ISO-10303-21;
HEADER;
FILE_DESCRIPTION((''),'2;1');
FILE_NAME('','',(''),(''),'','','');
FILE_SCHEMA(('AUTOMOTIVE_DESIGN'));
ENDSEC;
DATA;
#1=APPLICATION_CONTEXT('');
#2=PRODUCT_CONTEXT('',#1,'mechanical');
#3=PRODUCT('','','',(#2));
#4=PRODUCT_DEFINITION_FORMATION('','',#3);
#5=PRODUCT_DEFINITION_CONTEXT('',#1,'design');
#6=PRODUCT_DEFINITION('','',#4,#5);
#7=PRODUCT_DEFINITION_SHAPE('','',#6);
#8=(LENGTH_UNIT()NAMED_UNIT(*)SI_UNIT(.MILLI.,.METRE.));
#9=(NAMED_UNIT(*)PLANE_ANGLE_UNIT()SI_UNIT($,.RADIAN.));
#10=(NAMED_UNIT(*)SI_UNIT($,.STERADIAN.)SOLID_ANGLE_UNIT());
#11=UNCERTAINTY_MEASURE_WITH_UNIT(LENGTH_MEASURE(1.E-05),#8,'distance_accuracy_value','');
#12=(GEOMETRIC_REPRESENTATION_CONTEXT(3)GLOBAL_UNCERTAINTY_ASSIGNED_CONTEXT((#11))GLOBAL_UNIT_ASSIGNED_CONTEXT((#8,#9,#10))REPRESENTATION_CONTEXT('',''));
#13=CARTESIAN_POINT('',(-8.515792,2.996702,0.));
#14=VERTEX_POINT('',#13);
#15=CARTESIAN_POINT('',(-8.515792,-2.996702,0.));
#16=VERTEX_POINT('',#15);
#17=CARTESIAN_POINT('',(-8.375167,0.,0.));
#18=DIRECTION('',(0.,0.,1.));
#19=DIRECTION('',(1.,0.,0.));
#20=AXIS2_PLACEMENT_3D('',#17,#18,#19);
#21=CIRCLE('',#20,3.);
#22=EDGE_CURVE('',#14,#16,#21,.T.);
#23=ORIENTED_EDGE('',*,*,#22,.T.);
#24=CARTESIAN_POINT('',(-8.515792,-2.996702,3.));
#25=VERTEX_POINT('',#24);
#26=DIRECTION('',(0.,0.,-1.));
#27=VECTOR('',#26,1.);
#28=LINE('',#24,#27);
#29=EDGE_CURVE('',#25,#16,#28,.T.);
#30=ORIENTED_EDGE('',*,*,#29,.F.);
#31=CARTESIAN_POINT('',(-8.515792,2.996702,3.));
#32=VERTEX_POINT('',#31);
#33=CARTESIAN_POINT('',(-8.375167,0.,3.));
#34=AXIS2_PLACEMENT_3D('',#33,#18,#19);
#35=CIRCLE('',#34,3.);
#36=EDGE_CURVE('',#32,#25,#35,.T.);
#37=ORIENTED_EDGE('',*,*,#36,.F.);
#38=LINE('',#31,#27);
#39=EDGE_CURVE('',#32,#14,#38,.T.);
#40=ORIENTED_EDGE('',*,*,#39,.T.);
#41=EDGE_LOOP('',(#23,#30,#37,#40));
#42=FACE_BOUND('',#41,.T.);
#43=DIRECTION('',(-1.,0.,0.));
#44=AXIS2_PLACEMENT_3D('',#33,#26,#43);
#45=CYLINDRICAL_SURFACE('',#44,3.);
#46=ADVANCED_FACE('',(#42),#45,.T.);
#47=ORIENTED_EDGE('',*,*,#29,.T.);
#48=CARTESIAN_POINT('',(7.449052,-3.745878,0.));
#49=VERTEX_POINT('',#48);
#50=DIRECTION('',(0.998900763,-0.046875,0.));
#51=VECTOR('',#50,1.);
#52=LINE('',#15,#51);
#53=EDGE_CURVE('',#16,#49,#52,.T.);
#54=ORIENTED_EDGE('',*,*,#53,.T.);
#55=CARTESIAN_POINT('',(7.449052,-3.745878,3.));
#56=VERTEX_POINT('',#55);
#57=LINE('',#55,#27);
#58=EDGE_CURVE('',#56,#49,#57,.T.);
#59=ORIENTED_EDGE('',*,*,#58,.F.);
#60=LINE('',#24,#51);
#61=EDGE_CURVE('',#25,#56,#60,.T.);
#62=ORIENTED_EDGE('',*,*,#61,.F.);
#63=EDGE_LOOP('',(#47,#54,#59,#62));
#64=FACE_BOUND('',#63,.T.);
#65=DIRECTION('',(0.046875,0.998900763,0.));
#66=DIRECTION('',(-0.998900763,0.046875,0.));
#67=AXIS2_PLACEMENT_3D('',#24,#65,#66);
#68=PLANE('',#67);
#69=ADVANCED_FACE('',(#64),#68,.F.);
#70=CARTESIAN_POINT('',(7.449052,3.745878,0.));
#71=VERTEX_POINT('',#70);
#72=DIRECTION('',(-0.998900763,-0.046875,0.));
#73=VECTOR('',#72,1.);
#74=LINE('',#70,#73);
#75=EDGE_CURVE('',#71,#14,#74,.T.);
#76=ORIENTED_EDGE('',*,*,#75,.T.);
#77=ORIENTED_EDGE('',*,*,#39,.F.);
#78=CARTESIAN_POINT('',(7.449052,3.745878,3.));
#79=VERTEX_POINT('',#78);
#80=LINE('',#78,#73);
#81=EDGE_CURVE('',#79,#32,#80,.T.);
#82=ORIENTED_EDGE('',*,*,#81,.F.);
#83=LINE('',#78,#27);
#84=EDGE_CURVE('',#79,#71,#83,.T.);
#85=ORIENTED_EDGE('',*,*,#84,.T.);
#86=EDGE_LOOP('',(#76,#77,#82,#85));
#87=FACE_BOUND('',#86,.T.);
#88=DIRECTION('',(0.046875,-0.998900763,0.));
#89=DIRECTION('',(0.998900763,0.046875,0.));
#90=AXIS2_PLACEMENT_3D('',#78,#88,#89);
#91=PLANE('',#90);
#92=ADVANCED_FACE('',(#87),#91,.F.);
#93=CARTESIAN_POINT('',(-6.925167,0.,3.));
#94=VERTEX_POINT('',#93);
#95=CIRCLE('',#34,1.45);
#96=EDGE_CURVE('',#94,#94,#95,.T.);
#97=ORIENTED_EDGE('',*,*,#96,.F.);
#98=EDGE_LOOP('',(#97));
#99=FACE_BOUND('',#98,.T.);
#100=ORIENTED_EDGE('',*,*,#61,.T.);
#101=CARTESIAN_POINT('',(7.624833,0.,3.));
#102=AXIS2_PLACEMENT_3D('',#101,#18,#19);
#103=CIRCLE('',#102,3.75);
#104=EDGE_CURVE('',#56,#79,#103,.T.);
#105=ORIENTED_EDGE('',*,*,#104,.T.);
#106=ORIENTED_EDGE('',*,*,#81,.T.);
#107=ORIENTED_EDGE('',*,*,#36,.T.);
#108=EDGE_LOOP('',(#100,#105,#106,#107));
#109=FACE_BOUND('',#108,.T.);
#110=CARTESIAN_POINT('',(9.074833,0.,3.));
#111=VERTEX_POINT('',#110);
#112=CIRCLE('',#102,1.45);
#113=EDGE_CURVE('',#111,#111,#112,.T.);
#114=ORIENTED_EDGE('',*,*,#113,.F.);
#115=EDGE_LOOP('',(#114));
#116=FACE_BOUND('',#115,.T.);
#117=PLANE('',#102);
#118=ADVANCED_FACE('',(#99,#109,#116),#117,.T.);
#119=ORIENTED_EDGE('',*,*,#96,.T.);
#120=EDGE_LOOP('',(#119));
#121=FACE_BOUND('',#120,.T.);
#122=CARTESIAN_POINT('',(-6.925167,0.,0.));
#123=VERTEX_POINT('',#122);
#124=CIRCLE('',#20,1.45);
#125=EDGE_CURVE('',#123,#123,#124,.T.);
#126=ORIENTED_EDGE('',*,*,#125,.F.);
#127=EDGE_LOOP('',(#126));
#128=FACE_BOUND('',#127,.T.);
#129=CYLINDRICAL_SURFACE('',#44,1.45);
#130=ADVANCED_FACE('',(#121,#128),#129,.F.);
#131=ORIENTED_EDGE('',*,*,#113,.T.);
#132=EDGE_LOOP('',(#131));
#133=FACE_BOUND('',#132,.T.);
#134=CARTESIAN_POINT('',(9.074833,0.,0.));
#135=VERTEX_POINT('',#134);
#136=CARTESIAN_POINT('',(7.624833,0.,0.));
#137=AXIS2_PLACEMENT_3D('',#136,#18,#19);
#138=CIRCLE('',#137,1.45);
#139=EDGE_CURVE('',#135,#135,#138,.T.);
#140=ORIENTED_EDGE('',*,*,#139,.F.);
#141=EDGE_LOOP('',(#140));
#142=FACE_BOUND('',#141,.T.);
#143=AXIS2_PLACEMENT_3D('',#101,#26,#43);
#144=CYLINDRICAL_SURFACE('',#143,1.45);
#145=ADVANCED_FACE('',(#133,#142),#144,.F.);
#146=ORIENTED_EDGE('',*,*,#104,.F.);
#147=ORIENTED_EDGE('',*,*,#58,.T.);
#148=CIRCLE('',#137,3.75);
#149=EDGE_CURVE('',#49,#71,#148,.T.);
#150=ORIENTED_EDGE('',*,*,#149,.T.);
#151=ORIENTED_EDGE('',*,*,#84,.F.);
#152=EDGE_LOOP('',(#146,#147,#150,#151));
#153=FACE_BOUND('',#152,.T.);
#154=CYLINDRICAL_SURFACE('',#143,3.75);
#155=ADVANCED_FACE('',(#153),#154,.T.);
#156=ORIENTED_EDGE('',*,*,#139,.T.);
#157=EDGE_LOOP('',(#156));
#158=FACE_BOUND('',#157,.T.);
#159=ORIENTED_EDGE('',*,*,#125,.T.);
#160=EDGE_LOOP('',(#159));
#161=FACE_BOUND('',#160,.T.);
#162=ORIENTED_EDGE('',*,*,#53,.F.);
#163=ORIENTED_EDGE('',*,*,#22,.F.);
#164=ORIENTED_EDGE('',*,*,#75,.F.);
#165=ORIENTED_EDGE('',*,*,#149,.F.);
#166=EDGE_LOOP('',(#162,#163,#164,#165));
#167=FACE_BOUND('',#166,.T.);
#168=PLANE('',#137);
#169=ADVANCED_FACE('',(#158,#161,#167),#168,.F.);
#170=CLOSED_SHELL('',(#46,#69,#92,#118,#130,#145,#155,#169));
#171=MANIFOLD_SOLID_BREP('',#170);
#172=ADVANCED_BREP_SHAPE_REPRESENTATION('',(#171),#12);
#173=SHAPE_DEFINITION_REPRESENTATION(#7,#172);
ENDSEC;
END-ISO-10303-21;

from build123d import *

# Parameters (mm, degrees)
ESQUISSE2_R        = 1.45
BOSS_EXTRU_1_DEPTH = 3


with BuildPart() as part:
    # Esquisse2 → Boss.-Extru.1 (new body)
    with BuildSketch(Plane.XY):
        with BuildLine():
            Line((-8.515791667, -2.996702289), (7.449052083, -3.745877861))
            ThreePointArc((7.449052083, -3.745877861), (11.374833333, 0), (7.449052083, 3.745877861))
            Line((7.449052083, 3.745877861), (-8.515791667, 2.996702289))
            ThreePointArc((-8.515791667, 2.996702289), (-11.375166667, 0), (-8.515791667, -2.996702289))
        make_face()
        with Locations((7.624833333, 0)):
            Circle(ESQUISSE2_R, mode=Mode.SUBTRACT)
        with Locations((-8.375166667, 0)):
            Circle(ESQUISSE2_R, mode=Mode.SUBTRACT)
    extrude(amount=BOSS_EXTRU_1_DEPTH)


solid = part.part
